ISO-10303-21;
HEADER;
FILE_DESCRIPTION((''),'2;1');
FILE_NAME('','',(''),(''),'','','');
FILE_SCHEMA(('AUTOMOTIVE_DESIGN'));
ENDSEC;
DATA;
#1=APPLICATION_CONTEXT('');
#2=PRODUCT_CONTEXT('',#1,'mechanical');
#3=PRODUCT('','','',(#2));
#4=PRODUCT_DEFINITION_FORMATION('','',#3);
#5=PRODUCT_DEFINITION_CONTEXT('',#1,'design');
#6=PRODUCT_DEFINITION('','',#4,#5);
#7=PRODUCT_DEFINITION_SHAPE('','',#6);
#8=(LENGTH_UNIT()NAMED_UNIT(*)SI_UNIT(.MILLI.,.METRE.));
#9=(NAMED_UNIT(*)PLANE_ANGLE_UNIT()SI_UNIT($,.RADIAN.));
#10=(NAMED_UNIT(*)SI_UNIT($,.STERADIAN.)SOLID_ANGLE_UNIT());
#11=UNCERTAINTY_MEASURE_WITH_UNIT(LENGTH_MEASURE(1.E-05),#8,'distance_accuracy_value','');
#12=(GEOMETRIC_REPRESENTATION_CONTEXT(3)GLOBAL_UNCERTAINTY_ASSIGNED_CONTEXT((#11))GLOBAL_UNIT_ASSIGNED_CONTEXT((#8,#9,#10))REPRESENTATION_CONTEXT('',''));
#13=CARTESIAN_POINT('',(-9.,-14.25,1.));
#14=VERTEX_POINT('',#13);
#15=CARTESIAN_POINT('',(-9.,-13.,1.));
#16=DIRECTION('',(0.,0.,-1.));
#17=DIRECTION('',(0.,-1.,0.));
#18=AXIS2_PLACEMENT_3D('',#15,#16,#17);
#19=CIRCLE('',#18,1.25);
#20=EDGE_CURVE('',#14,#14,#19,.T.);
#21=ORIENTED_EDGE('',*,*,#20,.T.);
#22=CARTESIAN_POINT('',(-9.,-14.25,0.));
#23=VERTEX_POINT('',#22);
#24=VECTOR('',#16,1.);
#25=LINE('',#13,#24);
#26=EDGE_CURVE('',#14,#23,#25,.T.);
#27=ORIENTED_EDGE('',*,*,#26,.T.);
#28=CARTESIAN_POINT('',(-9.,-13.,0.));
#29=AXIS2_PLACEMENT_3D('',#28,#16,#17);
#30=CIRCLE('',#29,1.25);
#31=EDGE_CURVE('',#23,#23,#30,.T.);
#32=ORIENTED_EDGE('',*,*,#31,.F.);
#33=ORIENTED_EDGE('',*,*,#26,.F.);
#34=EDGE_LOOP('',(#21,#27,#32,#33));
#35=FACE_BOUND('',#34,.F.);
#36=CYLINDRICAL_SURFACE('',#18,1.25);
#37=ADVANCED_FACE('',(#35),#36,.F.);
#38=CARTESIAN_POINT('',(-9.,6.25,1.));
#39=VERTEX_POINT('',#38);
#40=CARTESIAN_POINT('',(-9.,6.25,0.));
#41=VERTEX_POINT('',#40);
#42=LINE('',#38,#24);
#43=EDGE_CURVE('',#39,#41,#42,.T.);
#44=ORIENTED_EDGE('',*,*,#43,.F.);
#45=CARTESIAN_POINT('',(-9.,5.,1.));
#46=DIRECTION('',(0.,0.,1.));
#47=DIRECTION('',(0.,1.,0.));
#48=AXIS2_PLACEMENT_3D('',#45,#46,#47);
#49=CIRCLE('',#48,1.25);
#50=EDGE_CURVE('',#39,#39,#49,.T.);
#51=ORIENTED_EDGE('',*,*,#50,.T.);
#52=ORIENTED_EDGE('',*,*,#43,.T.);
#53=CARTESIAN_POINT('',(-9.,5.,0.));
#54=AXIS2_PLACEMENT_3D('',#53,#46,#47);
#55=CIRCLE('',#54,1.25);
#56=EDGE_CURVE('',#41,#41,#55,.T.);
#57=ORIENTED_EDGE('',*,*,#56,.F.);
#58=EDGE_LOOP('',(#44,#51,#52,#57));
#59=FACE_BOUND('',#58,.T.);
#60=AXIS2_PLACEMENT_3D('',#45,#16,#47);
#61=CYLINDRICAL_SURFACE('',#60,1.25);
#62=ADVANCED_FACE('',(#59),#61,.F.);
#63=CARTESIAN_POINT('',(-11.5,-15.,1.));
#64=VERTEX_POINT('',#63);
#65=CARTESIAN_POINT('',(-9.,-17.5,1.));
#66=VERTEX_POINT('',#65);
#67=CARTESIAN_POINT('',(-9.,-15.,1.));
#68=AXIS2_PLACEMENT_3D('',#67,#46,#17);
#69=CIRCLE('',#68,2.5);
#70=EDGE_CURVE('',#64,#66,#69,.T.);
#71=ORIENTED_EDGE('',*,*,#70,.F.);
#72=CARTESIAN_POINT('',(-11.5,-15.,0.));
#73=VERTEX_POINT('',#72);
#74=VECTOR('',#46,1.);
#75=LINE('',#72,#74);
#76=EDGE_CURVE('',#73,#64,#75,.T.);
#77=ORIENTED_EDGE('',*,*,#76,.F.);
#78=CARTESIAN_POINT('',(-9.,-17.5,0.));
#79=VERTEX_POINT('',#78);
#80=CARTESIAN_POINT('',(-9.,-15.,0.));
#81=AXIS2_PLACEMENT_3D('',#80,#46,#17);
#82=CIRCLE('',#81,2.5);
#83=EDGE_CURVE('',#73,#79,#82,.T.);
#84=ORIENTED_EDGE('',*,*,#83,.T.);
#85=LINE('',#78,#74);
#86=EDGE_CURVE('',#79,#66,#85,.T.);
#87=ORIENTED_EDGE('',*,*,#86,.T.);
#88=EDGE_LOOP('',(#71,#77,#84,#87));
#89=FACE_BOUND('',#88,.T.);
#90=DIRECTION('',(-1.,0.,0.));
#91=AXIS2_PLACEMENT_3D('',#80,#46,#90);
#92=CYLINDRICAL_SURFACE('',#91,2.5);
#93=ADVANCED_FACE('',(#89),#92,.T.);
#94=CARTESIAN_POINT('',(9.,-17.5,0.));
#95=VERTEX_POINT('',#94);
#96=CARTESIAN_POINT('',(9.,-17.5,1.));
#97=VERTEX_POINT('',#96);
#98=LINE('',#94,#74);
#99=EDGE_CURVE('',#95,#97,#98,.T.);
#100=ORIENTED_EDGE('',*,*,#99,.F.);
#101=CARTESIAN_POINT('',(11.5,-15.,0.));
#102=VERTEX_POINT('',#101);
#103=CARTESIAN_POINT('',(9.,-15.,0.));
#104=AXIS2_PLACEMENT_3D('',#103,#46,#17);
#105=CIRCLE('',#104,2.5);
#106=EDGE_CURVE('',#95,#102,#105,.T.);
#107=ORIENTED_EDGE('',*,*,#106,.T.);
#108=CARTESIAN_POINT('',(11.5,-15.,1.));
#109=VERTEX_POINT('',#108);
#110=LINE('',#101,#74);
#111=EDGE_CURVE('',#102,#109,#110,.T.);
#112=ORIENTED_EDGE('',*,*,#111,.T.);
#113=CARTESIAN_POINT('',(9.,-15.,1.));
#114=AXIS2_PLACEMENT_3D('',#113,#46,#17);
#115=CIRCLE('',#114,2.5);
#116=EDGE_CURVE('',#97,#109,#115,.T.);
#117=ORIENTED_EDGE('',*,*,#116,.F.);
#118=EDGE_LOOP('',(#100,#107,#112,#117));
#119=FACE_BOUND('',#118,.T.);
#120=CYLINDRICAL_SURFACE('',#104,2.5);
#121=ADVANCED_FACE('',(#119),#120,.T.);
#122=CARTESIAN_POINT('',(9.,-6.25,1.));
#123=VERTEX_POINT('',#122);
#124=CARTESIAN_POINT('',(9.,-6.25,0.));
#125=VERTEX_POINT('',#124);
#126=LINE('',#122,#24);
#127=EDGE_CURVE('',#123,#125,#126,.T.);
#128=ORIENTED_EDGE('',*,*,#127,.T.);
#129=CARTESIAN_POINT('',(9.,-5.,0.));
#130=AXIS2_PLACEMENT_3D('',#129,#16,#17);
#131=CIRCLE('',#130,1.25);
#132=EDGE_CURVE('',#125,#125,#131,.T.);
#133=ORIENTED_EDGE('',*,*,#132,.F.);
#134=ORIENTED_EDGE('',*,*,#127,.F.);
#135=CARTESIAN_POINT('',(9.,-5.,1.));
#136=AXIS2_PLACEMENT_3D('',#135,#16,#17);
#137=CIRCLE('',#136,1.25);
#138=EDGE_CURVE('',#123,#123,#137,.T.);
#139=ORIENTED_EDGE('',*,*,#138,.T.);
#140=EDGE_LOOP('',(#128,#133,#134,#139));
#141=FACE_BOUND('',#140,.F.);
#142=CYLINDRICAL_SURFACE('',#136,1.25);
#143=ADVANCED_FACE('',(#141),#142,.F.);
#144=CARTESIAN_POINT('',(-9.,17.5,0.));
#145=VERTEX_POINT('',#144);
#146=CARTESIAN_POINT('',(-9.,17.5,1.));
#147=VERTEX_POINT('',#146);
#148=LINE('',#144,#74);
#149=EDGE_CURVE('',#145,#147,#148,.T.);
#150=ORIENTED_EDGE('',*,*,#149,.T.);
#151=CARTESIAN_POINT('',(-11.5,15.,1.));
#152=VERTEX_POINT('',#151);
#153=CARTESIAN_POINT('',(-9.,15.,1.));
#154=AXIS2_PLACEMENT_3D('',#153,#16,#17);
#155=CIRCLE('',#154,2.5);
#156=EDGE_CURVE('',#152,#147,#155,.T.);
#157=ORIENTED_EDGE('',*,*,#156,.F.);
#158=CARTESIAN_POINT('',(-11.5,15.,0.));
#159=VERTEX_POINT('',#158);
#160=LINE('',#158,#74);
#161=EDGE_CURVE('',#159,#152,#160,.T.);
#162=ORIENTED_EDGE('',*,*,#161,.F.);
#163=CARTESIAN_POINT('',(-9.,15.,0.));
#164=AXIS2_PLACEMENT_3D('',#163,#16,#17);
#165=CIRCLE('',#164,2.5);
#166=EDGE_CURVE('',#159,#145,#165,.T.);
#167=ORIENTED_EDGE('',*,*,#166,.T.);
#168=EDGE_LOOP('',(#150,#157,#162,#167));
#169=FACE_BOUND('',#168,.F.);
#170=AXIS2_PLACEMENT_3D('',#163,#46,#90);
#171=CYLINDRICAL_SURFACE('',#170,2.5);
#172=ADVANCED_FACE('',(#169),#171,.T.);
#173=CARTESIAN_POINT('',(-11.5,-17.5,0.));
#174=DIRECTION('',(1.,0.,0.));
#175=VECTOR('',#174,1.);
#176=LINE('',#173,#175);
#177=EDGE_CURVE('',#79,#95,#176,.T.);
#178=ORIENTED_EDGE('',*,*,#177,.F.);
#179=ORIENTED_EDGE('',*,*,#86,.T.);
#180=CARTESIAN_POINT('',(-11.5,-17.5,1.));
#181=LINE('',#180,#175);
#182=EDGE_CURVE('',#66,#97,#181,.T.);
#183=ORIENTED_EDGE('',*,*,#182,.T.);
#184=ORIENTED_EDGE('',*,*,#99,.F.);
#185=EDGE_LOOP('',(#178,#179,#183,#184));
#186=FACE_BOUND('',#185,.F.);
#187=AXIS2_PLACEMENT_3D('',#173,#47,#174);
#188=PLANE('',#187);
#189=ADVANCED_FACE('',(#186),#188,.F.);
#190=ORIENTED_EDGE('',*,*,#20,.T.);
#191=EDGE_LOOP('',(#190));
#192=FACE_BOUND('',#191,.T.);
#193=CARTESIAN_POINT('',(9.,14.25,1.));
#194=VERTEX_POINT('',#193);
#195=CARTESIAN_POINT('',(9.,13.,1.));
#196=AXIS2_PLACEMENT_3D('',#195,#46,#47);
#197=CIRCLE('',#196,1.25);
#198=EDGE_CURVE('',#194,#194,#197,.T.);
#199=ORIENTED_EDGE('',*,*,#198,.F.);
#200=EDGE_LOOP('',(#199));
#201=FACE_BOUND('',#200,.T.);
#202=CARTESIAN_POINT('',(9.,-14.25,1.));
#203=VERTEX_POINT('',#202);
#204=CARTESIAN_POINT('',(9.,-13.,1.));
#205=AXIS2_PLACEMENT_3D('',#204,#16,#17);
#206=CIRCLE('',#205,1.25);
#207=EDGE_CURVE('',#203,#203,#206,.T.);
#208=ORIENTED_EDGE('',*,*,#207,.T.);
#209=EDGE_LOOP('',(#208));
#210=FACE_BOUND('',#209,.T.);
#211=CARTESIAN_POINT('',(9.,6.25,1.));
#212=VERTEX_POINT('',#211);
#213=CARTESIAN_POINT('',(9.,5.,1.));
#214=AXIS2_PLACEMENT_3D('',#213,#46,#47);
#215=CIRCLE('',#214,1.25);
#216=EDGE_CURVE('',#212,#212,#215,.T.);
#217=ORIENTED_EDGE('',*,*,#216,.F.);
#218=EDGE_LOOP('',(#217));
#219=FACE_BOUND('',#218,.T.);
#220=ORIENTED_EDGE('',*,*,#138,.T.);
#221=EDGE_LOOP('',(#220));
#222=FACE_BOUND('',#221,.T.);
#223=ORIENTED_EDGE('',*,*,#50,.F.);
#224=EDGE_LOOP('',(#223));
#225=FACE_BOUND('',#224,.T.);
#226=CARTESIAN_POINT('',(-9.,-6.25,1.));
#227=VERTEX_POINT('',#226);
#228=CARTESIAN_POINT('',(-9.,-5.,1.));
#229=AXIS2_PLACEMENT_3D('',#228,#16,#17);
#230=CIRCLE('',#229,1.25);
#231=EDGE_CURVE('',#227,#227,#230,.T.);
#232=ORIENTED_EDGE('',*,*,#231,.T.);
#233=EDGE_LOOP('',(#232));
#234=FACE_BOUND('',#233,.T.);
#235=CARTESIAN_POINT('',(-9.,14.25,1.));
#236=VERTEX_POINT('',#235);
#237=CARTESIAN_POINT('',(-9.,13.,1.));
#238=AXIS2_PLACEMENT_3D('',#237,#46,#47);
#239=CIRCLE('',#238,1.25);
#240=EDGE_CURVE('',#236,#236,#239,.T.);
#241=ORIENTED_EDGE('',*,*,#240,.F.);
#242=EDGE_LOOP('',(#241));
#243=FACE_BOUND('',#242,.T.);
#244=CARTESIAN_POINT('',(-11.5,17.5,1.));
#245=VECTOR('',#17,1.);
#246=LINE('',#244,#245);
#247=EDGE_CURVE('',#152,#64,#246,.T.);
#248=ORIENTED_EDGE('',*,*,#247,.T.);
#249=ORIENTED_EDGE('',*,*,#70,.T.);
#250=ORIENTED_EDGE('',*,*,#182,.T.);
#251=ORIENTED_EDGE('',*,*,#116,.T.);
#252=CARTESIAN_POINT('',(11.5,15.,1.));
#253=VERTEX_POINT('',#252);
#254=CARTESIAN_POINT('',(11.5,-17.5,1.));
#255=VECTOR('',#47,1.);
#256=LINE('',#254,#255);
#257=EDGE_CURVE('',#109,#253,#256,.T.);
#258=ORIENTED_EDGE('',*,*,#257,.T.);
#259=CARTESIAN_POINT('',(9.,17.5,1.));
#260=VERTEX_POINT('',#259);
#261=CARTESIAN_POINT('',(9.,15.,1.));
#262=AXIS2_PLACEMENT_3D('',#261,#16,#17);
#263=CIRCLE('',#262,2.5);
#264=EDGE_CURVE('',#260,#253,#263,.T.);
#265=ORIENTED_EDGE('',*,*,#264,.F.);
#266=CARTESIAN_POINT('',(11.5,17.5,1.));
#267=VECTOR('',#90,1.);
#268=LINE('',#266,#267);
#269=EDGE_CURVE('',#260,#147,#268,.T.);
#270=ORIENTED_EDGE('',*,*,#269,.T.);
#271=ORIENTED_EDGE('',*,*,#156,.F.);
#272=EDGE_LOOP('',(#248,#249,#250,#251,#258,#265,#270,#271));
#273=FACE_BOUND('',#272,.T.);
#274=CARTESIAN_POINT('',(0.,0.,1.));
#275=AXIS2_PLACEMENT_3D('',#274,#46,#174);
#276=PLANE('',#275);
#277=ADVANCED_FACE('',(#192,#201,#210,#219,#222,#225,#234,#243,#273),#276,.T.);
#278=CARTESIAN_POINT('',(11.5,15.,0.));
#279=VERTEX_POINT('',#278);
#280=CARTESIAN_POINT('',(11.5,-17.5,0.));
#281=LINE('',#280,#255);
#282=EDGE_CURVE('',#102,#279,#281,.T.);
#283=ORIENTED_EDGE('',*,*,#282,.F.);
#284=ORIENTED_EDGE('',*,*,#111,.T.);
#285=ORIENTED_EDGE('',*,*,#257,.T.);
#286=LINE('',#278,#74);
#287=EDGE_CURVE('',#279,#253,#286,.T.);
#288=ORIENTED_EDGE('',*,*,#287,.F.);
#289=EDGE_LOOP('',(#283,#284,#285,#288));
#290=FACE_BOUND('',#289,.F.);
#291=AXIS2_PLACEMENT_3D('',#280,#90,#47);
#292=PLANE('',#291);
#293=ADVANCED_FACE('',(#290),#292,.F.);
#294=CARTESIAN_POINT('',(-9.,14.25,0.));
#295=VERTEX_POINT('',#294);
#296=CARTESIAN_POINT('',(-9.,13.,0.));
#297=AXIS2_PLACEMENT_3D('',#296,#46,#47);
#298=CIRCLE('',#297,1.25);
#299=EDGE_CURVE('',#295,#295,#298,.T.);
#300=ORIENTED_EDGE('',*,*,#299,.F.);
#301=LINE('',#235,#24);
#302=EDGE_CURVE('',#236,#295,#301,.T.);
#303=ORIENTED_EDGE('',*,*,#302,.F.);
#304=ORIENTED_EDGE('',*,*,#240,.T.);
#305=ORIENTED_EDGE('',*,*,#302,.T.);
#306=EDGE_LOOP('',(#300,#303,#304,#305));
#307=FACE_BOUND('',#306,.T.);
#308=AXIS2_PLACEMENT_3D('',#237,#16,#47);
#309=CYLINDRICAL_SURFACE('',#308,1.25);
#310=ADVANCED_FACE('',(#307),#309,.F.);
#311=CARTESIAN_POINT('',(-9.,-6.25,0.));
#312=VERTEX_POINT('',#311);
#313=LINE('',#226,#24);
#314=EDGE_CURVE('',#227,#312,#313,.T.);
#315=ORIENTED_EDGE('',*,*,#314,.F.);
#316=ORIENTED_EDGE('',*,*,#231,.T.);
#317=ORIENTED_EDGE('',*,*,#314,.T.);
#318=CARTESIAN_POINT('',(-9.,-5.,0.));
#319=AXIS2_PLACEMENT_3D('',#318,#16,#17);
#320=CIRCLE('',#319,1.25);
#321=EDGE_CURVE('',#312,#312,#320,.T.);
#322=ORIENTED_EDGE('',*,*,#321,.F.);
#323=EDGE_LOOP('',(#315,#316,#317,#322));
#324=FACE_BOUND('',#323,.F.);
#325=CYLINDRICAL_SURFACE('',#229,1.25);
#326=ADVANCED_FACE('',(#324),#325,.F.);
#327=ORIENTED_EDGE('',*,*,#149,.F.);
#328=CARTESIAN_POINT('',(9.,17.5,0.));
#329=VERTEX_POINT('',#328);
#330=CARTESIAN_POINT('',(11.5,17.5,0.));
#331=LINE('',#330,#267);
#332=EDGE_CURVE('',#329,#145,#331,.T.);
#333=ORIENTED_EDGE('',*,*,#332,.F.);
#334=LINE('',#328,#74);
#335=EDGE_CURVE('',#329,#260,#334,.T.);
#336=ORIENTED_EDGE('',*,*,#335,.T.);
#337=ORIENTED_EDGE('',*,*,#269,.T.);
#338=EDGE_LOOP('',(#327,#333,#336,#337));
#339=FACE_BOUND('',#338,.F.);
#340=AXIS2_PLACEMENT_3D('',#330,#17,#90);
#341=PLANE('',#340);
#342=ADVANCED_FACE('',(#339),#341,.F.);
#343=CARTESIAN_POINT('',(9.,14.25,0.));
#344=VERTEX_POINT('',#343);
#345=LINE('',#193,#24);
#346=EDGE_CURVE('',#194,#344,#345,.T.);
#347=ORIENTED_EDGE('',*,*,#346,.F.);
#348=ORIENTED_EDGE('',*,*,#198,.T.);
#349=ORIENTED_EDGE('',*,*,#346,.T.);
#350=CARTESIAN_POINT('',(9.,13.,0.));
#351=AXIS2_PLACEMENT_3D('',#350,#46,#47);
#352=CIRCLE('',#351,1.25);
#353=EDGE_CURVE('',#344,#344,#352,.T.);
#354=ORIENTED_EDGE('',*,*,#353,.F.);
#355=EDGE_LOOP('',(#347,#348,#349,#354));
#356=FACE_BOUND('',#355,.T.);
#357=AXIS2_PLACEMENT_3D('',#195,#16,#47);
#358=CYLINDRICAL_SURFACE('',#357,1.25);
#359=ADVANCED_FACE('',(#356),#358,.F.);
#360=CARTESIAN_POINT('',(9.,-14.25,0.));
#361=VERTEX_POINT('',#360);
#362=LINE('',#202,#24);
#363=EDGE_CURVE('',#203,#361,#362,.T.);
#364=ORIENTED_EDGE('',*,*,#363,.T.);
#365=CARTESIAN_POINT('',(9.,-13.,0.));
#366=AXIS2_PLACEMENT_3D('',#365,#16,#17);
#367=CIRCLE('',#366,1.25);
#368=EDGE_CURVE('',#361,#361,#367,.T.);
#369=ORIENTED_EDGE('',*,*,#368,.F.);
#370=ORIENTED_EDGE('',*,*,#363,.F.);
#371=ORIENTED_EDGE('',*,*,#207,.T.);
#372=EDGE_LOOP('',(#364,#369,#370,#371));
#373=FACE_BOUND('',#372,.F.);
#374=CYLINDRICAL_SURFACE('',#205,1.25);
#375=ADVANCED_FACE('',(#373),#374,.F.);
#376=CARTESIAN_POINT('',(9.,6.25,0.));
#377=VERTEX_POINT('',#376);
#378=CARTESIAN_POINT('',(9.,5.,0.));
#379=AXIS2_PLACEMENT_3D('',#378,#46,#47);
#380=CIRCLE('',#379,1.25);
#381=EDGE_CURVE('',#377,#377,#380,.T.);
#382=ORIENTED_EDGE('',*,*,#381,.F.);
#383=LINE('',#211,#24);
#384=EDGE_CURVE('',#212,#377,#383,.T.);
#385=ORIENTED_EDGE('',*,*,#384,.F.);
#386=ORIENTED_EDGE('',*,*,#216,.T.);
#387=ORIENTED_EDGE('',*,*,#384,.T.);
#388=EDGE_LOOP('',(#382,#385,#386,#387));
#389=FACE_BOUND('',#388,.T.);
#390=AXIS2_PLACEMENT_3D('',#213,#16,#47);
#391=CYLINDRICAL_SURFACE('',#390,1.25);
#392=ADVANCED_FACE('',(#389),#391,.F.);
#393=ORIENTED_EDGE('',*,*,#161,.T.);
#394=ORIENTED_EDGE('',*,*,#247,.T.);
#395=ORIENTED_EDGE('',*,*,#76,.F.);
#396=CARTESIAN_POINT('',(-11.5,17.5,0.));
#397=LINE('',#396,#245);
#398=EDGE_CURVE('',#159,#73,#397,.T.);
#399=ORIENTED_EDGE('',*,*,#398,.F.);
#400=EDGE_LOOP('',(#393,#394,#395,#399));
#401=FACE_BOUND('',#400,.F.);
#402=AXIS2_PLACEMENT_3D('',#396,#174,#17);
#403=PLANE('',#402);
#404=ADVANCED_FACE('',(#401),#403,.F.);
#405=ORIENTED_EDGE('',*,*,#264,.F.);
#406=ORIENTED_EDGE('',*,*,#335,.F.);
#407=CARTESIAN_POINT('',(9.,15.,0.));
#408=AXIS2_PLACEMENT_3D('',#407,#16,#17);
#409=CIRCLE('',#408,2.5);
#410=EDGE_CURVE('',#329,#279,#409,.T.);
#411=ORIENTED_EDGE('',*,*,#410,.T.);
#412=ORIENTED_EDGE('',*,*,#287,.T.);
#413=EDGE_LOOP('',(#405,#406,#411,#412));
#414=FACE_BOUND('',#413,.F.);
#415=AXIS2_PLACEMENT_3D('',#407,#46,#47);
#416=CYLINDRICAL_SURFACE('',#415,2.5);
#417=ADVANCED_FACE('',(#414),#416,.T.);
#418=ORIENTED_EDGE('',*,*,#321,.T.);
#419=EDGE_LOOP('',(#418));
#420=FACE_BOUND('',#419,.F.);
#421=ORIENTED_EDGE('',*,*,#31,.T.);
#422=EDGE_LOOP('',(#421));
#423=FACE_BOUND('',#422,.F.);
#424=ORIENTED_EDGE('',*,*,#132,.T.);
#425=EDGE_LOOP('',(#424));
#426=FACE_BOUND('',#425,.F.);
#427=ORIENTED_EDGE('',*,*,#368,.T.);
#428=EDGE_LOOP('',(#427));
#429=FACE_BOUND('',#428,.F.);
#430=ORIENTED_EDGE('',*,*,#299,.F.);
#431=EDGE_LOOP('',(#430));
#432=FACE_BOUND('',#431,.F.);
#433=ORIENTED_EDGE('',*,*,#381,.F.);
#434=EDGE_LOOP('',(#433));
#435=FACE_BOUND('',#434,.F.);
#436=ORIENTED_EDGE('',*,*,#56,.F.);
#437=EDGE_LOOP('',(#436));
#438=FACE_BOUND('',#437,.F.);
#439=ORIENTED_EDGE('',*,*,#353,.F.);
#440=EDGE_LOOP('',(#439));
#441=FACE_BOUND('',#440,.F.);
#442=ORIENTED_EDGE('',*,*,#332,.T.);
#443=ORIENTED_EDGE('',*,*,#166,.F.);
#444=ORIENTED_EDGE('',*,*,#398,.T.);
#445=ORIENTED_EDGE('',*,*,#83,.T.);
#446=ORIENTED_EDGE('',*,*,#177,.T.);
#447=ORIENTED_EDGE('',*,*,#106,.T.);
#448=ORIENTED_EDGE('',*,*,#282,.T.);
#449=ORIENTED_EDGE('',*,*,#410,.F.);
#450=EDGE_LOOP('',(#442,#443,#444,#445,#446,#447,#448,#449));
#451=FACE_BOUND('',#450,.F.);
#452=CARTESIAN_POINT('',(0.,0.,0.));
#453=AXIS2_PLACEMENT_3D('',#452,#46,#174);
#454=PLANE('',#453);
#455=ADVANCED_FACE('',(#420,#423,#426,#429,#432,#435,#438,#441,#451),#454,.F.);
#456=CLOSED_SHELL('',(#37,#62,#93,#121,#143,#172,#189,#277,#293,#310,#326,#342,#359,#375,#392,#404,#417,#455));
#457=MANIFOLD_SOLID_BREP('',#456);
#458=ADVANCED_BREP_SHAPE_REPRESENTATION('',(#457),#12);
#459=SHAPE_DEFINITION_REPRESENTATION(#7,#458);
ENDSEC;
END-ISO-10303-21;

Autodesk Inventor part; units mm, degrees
ref_plane "YZ Plane" through (0, 0, 0) normal (1, 0, 0) x (0, 1, 0)
ref_plane "XZ Plane" through (0, 0, 0) normal (0, 1, 0) x (-1, 0, 0)
ref_plane "XY Plane" through (0, 0, 0) normal (0, 0, 1) x (1, 0, 0)
sketch "Sketch1" plane through (0, 0, 0) normal (0, 0, 1) x (1, 0, 0)
  line L0 (-11.5, -17.5) -> (11.5, -17.5)
  line L1 (11.5, -17.5) -> (11.5, 17.5)
  line L2 (11.5, 17.5) -> (-11.5, 17.5)
  line L3 (-11.5, 17.5) -> (-11.5, -17.5)
  line L4 (-11.5, -17.5) -> (11.5, 17.5) construction
  line L5 (11.5, -17.5) -> (-11.5, 17.5) construction
  point P0 (0, 0)
  dimension "d0" = 23
  dimension "d1" = 35
extrude "Plate1" add sketch "Sketch1" along normal blind 1
sketch "Sketch2" plane through (0, 0, 1) normal (0, 0, 1) x (1, 0, 0)
  line L0 (-11.5, -17.5) -> (-11.5, 17.5) projected
  point P0 (0, 0)
  point P1 (-9, -13)
  point P2 (9, -13)
  point P3 (-9, -5)
  point P4 (9, -5)
  dimension "d3" = 18
  dimension "d4" = 9
  dimension "d5" = 8
  dimension "d8" = 2.5
  dimension "d17" = 5
hole "Hole1" at (-9, -13, 1) at (9, -13, 1) at (-9, -5, 1) at (9, -5, 1) direction (0, 0, -1) diameter 2.5 depth 1
fillet "Fillet1" radius 2.5 4 edges at (11.5, 17.5, 0.5) (11.5, -17.5, 0.5) (-11.5, -17.5, 0.5) (-11.5, 17.5, 0.5)
mirror "Mirror1" about plane through (0, 0, 0) normal (0, 1, 0) of "Hole1"
equation "\"d4\" = 0.5 * d3"
equation "\"d14\" = Stärke"
equation "\"d2\" = Stärke"
equation "\"Biegeradius\" = Stärke"
equation "\"BreiteBiegungsfreistellung\" = Stärke"
equation "\"TiefeBiegungsfreistellung\" = 0.5 * Stärke"
equation "\"GrößeEckenfreistellung\" = 4 * Stärke"
equation "\"MinimalRest\" = 2 * Stärke"
equation "\"Übergangsradius\" = Biegeradius"
equation "\"JacobiRadiusGröße\" = Biegeradius"
equation "\"Abstandsgröße\" = Stärke"
equation "\"Stärke\" = 1"
properties part number "17"
